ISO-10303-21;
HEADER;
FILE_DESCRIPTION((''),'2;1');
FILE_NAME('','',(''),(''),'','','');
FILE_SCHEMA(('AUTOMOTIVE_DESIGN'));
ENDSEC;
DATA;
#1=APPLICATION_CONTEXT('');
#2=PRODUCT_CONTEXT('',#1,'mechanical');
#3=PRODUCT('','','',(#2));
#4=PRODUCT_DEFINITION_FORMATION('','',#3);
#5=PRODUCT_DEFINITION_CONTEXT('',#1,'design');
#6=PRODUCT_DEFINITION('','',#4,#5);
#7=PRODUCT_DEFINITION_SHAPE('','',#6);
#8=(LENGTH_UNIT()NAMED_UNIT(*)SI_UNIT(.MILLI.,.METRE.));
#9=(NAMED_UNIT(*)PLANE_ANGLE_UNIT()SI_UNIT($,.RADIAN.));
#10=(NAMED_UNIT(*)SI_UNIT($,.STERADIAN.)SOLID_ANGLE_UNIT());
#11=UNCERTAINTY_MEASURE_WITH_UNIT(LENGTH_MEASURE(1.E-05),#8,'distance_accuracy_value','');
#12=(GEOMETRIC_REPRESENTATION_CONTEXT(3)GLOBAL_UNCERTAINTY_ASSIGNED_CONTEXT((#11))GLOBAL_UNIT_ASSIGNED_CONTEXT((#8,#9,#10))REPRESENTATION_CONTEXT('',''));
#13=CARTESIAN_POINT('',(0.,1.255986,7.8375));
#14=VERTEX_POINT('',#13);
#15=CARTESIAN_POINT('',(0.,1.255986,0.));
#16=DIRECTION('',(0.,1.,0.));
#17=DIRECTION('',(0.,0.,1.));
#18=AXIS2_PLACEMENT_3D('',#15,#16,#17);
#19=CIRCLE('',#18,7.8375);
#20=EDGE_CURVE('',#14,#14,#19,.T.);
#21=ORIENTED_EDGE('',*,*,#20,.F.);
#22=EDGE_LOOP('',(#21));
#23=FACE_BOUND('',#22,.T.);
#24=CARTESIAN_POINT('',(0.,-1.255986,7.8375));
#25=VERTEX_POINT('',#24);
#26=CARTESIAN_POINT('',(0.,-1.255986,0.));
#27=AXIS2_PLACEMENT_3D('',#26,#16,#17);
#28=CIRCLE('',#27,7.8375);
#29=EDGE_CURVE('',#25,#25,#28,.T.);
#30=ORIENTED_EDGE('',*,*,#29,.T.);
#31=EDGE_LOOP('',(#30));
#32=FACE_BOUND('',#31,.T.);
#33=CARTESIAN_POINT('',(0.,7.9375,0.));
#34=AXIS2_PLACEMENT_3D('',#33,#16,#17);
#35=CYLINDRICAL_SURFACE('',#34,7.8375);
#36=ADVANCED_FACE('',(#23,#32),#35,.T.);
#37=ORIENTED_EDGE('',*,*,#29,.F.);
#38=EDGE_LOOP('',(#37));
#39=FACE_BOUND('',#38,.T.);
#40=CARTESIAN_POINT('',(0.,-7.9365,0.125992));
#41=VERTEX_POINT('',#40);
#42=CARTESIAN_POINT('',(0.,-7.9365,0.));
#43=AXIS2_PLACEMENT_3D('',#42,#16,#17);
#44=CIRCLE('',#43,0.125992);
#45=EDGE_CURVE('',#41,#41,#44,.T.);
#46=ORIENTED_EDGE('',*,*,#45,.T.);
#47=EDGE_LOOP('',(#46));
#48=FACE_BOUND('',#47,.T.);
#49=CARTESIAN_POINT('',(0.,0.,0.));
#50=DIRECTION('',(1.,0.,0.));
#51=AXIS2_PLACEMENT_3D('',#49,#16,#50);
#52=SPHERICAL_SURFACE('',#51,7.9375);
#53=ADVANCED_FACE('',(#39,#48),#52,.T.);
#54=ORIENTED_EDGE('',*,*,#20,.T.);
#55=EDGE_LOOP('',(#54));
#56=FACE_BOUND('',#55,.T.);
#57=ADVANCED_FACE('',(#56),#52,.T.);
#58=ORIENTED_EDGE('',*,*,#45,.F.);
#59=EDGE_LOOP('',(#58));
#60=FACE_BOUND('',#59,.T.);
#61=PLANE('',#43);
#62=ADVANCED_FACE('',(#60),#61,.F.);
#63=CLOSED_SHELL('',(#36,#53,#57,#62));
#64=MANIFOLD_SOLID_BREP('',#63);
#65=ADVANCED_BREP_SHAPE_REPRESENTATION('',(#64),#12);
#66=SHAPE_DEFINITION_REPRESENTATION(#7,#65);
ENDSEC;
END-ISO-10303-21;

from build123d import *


with BuildPart() as part:
    # Sketch1 → Revolve1 (revolve)
    with BuildSketch(Plane.XY):
        with BuildLine():
            ThreePointArc((7.8375, 1.255985669), (5.149491237, 6.040417721), (0, 7.9375))
            Line((0, 7.9375), (0, -7.9365))
            Line((0, -7.9365), (0.125992063, -7.9365))
            ThreePointArc((0.125992063, -7.9365), (5.197270379, -5.999357204), (7.8375, -1.255985669))
            Line((7.8375, -1.255985669), (7.8375, 1.255985669))
        make_face()
    revolve(axis=Axis((0, 7.9375, 0), (0, -1, 0)))


solid = part.part
